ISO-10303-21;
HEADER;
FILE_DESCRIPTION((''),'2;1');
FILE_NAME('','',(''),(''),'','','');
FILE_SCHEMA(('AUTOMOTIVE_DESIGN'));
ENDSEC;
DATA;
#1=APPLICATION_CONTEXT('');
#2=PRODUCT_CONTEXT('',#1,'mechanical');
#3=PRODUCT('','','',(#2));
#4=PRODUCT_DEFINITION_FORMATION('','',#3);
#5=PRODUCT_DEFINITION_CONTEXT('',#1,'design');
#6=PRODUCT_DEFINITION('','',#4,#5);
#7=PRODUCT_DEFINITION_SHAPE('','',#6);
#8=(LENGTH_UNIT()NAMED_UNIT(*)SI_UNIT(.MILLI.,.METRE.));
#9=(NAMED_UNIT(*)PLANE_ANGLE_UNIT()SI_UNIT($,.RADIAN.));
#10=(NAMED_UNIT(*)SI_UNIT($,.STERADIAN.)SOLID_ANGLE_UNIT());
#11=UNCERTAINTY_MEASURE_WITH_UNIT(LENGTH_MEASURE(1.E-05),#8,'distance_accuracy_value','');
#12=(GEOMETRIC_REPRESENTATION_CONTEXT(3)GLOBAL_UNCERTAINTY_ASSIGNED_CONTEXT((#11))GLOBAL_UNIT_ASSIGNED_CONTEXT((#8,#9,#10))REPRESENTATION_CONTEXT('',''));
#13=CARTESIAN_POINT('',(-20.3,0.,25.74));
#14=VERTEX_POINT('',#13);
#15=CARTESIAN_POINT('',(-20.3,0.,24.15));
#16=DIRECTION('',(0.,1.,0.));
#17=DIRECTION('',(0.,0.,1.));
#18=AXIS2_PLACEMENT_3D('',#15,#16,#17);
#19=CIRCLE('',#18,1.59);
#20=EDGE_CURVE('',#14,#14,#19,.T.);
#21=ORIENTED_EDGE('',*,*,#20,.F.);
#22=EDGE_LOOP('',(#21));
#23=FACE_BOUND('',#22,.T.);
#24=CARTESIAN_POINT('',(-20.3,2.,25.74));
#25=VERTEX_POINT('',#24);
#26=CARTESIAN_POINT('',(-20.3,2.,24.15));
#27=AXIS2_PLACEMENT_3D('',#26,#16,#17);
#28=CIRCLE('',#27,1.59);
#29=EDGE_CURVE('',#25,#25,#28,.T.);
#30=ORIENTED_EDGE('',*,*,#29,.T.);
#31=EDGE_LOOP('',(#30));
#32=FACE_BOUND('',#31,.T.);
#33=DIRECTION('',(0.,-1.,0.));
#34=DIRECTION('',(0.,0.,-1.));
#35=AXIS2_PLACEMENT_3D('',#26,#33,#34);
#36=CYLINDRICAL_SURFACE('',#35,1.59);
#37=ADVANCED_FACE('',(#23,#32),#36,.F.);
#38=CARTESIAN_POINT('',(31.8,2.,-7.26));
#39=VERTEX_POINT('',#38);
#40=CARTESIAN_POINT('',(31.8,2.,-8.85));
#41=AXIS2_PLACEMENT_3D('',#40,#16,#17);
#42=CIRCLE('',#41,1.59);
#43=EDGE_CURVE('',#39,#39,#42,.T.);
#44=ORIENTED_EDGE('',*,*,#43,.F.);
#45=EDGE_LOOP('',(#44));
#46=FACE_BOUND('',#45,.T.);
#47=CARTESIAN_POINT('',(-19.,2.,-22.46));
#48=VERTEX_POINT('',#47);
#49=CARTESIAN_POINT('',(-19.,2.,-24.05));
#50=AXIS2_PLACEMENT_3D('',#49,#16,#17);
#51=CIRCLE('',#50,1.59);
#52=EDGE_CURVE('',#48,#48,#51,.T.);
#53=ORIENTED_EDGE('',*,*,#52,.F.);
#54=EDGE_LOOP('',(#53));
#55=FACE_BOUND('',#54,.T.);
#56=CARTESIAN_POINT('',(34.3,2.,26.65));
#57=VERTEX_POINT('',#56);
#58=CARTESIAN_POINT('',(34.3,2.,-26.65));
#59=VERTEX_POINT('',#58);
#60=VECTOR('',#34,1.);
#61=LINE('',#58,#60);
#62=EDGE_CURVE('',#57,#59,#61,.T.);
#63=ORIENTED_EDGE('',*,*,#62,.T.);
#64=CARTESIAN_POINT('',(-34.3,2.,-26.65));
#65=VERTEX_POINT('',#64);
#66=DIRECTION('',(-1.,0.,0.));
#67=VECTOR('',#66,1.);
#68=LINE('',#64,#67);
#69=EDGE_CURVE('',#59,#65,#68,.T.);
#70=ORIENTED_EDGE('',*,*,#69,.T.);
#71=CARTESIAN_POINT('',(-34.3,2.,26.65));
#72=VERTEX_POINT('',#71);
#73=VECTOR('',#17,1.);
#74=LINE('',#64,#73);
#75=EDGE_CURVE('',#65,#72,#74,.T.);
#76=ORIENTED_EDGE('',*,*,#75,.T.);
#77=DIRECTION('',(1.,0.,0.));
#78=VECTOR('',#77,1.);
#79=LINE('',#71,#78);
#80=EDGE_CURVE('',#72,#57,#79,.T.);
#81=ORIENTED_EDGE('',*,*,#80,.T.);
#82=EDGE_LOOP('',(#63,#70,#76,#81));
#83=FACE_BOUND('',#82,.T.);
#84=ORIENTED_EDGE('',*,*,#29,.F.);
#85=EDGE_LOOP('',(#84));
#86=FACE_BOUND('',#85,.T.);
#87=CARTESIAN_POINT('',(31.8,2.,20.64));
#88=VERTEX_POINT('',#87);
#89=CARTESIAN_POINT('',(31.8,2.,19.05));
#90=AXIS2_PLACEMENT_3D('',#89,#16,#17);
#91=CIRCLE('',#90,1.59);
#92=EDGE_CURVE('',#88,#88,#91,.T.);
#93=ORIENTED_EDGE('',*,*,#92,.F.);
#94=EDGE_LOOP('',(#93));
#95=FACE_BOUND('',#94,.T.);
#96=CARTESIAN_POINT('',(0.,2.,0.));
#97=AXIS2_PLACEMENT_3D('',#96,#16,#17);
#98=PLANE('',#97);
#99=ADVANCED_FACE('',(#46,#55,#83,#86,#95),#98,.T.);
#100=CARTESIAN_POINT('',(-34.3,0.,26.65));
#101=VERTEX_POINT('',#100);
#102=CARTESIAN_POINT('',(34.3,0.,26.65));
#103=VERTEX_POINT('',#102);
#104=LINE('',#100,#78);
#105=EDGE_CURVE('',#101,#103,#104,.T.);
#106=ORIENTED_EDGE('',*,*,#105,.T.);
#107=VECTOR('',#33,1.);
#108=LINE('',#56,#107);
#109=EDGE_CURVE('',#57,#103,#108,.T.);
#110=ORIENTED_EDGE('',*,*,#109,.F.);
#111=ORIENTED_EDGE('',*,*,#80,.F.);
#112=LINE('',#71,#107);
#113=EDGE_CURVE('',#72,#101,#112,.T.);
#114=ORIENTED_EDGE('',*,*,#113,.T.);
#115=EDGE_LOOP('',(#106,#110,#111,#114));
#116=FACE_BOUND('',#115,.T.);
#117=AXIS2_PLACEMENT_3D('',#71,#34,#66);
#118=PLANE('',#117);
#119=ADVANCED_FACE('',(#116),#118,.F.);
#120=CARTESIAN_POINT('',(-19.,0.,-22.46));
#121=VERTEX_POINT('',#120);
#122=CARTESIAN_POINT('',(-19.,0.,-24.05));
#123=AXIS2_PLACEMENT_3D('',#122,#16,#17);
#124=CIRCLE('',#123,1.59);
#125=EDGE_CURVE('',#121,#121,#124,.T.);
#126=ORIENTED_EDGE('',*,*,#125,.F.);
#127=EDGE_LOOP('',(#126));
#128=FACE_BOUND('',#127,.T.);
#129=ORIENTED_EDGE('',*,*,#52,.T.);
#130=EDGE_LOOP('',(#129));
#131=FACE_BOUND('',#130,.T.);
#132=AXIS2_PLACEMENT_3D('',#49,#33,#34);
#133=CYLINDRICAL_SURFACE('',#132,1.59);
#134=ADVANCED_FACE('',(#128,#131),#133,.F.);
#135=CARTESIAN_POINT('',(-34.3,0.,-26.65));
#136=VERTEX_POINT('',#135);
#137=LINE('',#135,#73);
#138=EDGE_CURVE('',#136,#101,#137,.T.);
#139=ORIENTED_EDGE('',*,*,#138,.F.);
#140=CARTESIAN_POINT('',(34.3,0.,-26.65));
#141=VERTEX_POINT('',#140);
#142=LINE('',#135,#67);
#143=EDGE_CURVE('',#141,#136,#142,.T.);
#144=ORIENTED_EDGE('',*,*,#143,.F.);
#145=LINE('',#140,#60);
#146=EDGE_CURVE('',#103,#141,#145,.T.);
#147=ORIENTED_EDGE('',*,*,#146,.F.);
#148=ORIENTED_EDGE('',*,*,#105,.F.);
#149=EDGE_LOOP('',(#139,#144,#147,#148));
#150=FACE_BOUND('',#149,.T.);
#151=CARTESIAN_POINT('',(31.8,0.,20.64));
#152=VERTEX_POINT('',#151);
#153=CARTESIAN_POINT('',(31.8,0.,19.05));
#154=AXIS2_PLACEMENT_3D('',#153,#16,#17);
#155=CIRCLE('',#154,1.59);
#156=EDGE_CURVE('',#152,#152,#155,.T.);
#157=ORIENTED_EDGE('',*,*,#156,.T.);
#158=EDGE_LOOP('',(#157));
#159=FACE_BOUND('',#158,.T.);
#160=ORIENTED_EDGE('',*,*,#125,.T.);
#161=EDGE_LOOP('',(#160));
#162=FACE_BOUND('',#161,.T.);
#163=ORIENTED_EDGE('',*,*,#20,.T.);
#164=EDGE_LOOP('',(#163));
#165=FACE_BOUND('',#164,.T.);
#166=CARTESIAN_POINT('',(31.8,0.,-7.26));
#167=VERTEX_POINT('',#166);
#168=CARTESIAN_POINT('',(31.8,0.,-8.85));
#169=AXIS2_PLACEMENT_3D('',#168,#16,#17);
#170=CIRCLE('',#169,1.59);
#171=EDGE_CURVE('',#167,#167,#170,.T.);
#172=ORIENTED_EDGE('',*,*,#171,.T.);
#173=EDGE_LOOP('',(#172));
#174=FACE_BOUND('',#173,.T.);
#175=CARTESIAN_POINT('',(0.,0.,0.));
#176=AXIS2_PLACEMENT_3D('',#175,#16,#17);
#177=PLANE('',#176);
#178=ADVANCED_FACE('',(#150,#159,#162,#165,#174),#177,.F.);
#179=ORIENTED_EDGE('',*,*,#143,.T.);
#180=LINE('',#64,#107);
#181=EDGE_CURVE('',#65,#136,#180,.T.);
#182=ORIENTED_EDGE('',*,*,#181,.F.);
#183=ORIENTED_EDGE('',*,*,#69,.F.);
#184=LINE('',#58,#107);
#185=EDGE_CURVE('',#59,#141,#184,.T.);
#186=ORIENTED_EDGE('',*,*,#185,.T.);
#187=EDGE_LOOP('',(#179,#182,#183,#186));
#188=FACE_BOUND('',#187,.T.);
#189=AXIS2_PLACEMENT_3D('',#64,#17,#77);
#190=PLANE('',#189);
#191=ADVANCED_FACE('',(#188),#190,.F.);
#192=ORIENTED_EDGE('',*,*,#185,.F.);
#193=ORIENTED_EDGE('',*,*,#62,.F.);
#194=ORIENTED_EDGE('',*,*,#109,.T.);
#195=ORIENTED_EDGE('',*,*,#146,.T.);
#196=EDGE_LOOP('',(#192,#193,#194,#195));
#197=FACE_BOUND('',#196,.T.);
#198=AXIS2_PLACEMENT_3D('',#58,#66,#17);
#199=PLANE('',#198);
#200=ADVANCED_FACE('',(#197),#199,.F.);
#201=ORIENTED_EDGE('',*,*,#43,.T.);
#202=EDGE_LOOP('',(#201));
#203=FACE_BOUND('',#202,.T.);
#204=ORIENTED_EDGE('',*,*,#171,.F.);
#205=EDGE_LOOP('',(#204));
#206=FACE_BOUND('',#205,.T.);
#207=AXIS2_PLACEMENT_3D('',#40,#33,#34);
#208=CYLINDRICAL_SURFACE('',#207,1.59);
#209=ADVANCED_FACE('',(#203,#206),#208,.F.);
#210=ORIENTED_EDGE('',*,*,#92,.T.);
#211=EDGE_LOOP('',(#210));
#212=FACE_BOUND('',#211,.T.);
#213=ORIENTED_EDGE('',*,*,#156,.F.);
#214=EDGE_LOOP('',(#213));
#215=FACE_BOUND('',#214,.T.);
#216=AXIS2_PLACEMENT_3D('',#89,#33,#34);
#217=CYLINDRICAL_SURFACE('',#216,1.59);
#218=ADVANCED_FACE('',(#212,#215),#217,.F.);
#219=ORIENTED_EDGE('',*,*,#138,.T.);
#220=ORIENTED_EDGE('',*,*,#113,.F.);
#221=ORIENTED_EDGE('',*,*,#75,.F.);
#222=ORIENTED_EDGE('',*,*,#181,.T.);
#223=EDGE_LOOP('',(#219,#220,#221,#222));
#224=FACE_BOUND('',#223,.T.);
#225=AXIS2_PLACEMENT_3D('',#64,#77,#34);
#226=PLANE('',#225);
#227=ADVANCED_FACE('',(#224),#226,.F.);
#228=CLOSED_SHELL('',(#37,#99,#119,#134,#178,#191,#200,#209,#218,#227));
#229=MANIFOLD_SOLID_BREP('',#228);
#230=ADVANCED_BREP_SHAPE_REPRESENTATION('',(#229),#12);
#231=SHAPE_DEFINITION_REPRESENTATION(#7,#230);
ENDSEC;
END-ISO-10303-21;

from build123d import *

# Parameters (mm, degrees)
SKETCH1_W           = 68.6
SKETCH1_H           = 53.3
SKETCH1_R           = 1.59
BOSS_EXTRUDE1_DEPTH = 2


with BuildPart() as part:
    # Sketch1 → Boss-Extrude1 (new body)
    with BuildSketch(Plane(origin=(0, 0, 0), x_dir=(1, 0, 0), z_dir=(0, 1, 0))):
        Rectangle(SKETCH1_W, SKETCH1_H)
        with Locations(Location((-20.3, -24.15, 0), (0, 0, 270))):
            Circle(SKETCH1_R, mode=Mode.SUBTRACT)
        with Locations(Location((-19, 24.05, 0), (0, 0, 270))):
            Circle(SKETCH1_R, mode=Mode.SUBTRACT)
        with Locations(Location((31.8, 8.85, 0), (0, 0, 270))):
            Circle(SKETCH1_R, mode=Mode.SUBTRACT)
        with Locations(Location((31.8, -19.05, 0), (0, 0, 270))):
            Circle(SKETCH1_R, mode=Mode.SUBTRACT)
    extrude(amount=BOSS_EXTRUDE1_DEPTH)


solid = part.part
